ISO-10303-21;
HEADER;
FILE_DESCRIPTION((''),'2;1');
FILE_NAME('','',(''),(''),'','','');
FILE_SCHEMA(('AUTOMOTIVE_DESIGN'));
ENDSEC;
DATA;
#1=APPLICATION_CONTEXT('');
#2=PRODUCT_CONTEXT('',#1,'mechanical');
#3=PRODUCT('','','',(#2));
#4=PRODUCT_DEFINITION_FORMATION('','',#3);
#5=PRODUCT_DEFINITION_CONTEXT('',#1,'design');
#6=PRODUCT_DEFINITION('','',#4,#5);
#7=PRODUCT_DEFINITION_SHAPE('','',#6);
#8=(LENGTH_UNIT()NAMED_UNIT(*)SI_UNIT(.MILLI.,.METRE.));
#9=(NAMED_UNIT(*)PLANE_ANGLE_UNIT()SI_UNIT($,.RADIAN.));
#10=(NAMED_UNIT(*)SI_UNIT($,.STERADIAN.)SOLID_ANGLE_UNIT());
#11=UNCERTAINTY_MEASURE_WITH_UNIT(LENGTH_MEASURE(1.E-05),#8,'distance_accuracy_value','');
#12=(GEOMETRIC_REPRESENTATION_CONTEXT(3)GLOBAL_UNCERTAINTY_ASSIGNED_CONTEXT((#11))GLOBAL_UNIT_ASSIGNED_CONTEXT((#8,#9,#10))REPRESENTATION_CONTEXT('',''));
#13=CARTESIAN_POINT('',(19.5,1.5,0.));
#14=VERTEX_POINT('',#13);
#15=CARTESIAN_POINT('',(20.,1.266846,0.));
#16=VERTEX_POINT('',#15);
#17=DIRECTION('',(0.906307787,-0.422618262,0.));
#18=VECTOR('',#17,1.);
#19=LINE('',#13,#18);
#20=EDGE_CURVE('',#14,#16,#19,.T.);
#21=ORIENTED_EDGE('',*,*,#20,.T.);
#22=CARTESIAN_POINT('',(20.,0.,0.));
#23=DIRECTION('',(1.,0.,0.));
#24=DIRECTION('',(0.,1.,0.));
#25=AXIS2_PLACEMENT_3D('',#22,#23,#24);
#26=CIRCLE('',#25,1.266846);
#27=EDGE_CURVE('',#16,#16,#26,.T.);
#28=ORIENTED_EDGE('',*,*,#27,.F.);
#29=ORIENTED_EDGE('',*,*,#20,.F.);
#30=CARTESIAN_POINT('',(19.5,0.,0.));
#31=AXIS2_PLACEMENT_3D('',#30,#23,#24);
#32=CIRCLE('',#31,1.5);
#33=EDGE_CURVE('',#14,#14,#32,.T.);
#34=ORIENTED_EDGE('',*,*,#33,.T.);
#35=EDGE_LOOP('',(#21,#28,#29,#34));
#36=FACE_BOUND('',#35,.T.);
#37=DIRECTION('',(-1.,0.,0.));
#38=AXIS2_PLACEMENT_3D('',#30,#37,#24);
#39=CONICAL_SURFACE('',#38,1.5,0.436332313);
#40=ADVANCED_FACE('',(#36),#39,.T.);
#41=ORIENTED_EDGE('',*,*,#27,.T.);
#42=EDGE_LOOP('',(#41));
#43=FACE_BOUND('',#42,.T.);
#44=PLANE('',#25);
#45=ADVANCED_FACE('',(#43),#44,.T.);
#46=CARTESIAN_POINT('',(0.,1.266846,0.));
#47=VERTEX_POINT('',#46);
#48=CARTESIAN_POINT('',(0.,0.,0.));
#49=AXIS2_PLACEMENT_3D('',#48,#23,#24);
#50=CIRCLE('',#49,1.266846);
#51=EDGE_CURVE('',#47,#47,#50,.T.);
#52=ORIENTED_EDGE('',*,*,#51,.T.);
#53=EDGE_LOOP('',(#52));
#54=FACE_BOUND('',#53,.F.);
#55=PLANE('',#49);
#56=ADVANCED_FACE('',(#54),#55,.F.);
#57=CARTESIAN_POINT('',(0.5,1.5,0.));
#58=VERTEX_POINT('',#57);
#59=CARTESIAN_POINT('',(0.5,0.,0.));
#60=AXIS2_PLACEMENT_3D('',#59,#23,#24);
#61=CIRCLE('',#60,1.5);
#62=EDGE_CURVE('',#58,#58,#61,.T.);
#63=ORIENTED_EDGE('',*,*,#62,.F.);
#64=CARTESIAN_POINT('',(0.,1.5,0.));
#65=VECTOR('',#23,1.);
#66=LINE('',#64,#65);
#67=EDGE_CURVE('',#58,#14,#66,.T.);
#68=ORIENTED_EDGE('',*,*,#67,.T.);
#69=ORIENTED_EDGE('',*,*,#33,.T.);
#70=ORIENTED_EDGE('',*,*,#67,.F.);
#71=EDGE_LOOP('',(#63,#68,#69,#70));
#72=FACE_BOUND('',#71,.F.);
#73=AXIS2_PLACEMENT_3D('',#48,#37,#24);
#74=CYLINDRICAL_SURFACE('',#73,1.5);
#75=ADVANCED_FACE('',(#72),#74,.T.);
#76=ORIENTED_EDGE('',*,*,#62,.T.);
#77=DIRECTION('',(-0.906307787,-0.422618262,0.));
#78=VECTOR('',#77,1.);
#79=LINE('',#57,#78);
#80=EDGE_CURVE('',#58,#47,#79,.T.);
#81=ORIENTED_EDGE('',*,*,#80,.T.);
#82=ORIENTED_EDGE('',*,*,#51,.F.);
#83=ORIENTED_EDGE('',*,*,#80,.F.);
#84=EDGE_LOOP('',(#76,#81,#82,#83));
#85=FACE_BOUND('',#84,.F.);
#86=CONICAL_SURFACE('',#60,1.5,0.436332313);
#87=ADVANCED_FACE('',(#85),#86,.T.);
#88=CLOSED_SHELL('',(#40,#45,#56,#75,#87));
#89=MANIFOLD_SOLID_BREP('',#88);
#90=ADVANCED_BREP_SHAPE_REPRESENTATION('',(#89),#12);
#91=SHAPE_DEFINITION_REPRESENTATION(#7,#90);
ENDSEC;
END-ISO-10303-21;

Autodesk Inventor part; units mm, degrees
ref_plane "YZ Plane" through (0, 0, 0) normal (1, 0, 0) x (0, 1, 0)
ref_plane "XZ Plane" through (0, 0, 0) normal (0, 1, 0) x (-1, 0, 0)
ref_plane "XY Plane" through (0, 0, 0) normal (0, 0, 1) x (1, 0, 0)
sketch "Эскиз" plane through (0, 0, 0) normal (1, 0, 0) x (0, 1, 0)
  circle A0 centre (0, 0) radius 1.5
  dimension "d1" = 3
extrude "Базовый элемент" add sketch "Эскиз" along normal blind 20
chamfer "Фаска1" distance 0.5 angle 25 1 edges at (0, -1.5, 0) measured on face at (13.3333, 1.4806, -0.2406)
chamfer "Эскиз2" distance 0.5 angle 25 1 edges at (20, -1.5, 0) measured on face at (13.5, 1.4951, -0.1207)
equation "\"d1\" = NND"
equation "\"d2\" = NLG"
equation "\"d8\" = PHH"
equation "\"d9\" = FAWI"
equation "\"d12\" = PHH"
equation "\"d4\" = PHH"
equation "\"d5\" = FAWI"
equation "\"d11\" = PHH"
equation "\"NND\" = 3"
equation "\"NLG\" = 20"
equation "\"PHH\" = 0.5"
equation "\"FAWI\" = 25deg"
equation "\"KAH\" = 0"
properties part number "Штифт 2.3x20 ГОСТ 3128-70" material "Сталь, мягкая"
